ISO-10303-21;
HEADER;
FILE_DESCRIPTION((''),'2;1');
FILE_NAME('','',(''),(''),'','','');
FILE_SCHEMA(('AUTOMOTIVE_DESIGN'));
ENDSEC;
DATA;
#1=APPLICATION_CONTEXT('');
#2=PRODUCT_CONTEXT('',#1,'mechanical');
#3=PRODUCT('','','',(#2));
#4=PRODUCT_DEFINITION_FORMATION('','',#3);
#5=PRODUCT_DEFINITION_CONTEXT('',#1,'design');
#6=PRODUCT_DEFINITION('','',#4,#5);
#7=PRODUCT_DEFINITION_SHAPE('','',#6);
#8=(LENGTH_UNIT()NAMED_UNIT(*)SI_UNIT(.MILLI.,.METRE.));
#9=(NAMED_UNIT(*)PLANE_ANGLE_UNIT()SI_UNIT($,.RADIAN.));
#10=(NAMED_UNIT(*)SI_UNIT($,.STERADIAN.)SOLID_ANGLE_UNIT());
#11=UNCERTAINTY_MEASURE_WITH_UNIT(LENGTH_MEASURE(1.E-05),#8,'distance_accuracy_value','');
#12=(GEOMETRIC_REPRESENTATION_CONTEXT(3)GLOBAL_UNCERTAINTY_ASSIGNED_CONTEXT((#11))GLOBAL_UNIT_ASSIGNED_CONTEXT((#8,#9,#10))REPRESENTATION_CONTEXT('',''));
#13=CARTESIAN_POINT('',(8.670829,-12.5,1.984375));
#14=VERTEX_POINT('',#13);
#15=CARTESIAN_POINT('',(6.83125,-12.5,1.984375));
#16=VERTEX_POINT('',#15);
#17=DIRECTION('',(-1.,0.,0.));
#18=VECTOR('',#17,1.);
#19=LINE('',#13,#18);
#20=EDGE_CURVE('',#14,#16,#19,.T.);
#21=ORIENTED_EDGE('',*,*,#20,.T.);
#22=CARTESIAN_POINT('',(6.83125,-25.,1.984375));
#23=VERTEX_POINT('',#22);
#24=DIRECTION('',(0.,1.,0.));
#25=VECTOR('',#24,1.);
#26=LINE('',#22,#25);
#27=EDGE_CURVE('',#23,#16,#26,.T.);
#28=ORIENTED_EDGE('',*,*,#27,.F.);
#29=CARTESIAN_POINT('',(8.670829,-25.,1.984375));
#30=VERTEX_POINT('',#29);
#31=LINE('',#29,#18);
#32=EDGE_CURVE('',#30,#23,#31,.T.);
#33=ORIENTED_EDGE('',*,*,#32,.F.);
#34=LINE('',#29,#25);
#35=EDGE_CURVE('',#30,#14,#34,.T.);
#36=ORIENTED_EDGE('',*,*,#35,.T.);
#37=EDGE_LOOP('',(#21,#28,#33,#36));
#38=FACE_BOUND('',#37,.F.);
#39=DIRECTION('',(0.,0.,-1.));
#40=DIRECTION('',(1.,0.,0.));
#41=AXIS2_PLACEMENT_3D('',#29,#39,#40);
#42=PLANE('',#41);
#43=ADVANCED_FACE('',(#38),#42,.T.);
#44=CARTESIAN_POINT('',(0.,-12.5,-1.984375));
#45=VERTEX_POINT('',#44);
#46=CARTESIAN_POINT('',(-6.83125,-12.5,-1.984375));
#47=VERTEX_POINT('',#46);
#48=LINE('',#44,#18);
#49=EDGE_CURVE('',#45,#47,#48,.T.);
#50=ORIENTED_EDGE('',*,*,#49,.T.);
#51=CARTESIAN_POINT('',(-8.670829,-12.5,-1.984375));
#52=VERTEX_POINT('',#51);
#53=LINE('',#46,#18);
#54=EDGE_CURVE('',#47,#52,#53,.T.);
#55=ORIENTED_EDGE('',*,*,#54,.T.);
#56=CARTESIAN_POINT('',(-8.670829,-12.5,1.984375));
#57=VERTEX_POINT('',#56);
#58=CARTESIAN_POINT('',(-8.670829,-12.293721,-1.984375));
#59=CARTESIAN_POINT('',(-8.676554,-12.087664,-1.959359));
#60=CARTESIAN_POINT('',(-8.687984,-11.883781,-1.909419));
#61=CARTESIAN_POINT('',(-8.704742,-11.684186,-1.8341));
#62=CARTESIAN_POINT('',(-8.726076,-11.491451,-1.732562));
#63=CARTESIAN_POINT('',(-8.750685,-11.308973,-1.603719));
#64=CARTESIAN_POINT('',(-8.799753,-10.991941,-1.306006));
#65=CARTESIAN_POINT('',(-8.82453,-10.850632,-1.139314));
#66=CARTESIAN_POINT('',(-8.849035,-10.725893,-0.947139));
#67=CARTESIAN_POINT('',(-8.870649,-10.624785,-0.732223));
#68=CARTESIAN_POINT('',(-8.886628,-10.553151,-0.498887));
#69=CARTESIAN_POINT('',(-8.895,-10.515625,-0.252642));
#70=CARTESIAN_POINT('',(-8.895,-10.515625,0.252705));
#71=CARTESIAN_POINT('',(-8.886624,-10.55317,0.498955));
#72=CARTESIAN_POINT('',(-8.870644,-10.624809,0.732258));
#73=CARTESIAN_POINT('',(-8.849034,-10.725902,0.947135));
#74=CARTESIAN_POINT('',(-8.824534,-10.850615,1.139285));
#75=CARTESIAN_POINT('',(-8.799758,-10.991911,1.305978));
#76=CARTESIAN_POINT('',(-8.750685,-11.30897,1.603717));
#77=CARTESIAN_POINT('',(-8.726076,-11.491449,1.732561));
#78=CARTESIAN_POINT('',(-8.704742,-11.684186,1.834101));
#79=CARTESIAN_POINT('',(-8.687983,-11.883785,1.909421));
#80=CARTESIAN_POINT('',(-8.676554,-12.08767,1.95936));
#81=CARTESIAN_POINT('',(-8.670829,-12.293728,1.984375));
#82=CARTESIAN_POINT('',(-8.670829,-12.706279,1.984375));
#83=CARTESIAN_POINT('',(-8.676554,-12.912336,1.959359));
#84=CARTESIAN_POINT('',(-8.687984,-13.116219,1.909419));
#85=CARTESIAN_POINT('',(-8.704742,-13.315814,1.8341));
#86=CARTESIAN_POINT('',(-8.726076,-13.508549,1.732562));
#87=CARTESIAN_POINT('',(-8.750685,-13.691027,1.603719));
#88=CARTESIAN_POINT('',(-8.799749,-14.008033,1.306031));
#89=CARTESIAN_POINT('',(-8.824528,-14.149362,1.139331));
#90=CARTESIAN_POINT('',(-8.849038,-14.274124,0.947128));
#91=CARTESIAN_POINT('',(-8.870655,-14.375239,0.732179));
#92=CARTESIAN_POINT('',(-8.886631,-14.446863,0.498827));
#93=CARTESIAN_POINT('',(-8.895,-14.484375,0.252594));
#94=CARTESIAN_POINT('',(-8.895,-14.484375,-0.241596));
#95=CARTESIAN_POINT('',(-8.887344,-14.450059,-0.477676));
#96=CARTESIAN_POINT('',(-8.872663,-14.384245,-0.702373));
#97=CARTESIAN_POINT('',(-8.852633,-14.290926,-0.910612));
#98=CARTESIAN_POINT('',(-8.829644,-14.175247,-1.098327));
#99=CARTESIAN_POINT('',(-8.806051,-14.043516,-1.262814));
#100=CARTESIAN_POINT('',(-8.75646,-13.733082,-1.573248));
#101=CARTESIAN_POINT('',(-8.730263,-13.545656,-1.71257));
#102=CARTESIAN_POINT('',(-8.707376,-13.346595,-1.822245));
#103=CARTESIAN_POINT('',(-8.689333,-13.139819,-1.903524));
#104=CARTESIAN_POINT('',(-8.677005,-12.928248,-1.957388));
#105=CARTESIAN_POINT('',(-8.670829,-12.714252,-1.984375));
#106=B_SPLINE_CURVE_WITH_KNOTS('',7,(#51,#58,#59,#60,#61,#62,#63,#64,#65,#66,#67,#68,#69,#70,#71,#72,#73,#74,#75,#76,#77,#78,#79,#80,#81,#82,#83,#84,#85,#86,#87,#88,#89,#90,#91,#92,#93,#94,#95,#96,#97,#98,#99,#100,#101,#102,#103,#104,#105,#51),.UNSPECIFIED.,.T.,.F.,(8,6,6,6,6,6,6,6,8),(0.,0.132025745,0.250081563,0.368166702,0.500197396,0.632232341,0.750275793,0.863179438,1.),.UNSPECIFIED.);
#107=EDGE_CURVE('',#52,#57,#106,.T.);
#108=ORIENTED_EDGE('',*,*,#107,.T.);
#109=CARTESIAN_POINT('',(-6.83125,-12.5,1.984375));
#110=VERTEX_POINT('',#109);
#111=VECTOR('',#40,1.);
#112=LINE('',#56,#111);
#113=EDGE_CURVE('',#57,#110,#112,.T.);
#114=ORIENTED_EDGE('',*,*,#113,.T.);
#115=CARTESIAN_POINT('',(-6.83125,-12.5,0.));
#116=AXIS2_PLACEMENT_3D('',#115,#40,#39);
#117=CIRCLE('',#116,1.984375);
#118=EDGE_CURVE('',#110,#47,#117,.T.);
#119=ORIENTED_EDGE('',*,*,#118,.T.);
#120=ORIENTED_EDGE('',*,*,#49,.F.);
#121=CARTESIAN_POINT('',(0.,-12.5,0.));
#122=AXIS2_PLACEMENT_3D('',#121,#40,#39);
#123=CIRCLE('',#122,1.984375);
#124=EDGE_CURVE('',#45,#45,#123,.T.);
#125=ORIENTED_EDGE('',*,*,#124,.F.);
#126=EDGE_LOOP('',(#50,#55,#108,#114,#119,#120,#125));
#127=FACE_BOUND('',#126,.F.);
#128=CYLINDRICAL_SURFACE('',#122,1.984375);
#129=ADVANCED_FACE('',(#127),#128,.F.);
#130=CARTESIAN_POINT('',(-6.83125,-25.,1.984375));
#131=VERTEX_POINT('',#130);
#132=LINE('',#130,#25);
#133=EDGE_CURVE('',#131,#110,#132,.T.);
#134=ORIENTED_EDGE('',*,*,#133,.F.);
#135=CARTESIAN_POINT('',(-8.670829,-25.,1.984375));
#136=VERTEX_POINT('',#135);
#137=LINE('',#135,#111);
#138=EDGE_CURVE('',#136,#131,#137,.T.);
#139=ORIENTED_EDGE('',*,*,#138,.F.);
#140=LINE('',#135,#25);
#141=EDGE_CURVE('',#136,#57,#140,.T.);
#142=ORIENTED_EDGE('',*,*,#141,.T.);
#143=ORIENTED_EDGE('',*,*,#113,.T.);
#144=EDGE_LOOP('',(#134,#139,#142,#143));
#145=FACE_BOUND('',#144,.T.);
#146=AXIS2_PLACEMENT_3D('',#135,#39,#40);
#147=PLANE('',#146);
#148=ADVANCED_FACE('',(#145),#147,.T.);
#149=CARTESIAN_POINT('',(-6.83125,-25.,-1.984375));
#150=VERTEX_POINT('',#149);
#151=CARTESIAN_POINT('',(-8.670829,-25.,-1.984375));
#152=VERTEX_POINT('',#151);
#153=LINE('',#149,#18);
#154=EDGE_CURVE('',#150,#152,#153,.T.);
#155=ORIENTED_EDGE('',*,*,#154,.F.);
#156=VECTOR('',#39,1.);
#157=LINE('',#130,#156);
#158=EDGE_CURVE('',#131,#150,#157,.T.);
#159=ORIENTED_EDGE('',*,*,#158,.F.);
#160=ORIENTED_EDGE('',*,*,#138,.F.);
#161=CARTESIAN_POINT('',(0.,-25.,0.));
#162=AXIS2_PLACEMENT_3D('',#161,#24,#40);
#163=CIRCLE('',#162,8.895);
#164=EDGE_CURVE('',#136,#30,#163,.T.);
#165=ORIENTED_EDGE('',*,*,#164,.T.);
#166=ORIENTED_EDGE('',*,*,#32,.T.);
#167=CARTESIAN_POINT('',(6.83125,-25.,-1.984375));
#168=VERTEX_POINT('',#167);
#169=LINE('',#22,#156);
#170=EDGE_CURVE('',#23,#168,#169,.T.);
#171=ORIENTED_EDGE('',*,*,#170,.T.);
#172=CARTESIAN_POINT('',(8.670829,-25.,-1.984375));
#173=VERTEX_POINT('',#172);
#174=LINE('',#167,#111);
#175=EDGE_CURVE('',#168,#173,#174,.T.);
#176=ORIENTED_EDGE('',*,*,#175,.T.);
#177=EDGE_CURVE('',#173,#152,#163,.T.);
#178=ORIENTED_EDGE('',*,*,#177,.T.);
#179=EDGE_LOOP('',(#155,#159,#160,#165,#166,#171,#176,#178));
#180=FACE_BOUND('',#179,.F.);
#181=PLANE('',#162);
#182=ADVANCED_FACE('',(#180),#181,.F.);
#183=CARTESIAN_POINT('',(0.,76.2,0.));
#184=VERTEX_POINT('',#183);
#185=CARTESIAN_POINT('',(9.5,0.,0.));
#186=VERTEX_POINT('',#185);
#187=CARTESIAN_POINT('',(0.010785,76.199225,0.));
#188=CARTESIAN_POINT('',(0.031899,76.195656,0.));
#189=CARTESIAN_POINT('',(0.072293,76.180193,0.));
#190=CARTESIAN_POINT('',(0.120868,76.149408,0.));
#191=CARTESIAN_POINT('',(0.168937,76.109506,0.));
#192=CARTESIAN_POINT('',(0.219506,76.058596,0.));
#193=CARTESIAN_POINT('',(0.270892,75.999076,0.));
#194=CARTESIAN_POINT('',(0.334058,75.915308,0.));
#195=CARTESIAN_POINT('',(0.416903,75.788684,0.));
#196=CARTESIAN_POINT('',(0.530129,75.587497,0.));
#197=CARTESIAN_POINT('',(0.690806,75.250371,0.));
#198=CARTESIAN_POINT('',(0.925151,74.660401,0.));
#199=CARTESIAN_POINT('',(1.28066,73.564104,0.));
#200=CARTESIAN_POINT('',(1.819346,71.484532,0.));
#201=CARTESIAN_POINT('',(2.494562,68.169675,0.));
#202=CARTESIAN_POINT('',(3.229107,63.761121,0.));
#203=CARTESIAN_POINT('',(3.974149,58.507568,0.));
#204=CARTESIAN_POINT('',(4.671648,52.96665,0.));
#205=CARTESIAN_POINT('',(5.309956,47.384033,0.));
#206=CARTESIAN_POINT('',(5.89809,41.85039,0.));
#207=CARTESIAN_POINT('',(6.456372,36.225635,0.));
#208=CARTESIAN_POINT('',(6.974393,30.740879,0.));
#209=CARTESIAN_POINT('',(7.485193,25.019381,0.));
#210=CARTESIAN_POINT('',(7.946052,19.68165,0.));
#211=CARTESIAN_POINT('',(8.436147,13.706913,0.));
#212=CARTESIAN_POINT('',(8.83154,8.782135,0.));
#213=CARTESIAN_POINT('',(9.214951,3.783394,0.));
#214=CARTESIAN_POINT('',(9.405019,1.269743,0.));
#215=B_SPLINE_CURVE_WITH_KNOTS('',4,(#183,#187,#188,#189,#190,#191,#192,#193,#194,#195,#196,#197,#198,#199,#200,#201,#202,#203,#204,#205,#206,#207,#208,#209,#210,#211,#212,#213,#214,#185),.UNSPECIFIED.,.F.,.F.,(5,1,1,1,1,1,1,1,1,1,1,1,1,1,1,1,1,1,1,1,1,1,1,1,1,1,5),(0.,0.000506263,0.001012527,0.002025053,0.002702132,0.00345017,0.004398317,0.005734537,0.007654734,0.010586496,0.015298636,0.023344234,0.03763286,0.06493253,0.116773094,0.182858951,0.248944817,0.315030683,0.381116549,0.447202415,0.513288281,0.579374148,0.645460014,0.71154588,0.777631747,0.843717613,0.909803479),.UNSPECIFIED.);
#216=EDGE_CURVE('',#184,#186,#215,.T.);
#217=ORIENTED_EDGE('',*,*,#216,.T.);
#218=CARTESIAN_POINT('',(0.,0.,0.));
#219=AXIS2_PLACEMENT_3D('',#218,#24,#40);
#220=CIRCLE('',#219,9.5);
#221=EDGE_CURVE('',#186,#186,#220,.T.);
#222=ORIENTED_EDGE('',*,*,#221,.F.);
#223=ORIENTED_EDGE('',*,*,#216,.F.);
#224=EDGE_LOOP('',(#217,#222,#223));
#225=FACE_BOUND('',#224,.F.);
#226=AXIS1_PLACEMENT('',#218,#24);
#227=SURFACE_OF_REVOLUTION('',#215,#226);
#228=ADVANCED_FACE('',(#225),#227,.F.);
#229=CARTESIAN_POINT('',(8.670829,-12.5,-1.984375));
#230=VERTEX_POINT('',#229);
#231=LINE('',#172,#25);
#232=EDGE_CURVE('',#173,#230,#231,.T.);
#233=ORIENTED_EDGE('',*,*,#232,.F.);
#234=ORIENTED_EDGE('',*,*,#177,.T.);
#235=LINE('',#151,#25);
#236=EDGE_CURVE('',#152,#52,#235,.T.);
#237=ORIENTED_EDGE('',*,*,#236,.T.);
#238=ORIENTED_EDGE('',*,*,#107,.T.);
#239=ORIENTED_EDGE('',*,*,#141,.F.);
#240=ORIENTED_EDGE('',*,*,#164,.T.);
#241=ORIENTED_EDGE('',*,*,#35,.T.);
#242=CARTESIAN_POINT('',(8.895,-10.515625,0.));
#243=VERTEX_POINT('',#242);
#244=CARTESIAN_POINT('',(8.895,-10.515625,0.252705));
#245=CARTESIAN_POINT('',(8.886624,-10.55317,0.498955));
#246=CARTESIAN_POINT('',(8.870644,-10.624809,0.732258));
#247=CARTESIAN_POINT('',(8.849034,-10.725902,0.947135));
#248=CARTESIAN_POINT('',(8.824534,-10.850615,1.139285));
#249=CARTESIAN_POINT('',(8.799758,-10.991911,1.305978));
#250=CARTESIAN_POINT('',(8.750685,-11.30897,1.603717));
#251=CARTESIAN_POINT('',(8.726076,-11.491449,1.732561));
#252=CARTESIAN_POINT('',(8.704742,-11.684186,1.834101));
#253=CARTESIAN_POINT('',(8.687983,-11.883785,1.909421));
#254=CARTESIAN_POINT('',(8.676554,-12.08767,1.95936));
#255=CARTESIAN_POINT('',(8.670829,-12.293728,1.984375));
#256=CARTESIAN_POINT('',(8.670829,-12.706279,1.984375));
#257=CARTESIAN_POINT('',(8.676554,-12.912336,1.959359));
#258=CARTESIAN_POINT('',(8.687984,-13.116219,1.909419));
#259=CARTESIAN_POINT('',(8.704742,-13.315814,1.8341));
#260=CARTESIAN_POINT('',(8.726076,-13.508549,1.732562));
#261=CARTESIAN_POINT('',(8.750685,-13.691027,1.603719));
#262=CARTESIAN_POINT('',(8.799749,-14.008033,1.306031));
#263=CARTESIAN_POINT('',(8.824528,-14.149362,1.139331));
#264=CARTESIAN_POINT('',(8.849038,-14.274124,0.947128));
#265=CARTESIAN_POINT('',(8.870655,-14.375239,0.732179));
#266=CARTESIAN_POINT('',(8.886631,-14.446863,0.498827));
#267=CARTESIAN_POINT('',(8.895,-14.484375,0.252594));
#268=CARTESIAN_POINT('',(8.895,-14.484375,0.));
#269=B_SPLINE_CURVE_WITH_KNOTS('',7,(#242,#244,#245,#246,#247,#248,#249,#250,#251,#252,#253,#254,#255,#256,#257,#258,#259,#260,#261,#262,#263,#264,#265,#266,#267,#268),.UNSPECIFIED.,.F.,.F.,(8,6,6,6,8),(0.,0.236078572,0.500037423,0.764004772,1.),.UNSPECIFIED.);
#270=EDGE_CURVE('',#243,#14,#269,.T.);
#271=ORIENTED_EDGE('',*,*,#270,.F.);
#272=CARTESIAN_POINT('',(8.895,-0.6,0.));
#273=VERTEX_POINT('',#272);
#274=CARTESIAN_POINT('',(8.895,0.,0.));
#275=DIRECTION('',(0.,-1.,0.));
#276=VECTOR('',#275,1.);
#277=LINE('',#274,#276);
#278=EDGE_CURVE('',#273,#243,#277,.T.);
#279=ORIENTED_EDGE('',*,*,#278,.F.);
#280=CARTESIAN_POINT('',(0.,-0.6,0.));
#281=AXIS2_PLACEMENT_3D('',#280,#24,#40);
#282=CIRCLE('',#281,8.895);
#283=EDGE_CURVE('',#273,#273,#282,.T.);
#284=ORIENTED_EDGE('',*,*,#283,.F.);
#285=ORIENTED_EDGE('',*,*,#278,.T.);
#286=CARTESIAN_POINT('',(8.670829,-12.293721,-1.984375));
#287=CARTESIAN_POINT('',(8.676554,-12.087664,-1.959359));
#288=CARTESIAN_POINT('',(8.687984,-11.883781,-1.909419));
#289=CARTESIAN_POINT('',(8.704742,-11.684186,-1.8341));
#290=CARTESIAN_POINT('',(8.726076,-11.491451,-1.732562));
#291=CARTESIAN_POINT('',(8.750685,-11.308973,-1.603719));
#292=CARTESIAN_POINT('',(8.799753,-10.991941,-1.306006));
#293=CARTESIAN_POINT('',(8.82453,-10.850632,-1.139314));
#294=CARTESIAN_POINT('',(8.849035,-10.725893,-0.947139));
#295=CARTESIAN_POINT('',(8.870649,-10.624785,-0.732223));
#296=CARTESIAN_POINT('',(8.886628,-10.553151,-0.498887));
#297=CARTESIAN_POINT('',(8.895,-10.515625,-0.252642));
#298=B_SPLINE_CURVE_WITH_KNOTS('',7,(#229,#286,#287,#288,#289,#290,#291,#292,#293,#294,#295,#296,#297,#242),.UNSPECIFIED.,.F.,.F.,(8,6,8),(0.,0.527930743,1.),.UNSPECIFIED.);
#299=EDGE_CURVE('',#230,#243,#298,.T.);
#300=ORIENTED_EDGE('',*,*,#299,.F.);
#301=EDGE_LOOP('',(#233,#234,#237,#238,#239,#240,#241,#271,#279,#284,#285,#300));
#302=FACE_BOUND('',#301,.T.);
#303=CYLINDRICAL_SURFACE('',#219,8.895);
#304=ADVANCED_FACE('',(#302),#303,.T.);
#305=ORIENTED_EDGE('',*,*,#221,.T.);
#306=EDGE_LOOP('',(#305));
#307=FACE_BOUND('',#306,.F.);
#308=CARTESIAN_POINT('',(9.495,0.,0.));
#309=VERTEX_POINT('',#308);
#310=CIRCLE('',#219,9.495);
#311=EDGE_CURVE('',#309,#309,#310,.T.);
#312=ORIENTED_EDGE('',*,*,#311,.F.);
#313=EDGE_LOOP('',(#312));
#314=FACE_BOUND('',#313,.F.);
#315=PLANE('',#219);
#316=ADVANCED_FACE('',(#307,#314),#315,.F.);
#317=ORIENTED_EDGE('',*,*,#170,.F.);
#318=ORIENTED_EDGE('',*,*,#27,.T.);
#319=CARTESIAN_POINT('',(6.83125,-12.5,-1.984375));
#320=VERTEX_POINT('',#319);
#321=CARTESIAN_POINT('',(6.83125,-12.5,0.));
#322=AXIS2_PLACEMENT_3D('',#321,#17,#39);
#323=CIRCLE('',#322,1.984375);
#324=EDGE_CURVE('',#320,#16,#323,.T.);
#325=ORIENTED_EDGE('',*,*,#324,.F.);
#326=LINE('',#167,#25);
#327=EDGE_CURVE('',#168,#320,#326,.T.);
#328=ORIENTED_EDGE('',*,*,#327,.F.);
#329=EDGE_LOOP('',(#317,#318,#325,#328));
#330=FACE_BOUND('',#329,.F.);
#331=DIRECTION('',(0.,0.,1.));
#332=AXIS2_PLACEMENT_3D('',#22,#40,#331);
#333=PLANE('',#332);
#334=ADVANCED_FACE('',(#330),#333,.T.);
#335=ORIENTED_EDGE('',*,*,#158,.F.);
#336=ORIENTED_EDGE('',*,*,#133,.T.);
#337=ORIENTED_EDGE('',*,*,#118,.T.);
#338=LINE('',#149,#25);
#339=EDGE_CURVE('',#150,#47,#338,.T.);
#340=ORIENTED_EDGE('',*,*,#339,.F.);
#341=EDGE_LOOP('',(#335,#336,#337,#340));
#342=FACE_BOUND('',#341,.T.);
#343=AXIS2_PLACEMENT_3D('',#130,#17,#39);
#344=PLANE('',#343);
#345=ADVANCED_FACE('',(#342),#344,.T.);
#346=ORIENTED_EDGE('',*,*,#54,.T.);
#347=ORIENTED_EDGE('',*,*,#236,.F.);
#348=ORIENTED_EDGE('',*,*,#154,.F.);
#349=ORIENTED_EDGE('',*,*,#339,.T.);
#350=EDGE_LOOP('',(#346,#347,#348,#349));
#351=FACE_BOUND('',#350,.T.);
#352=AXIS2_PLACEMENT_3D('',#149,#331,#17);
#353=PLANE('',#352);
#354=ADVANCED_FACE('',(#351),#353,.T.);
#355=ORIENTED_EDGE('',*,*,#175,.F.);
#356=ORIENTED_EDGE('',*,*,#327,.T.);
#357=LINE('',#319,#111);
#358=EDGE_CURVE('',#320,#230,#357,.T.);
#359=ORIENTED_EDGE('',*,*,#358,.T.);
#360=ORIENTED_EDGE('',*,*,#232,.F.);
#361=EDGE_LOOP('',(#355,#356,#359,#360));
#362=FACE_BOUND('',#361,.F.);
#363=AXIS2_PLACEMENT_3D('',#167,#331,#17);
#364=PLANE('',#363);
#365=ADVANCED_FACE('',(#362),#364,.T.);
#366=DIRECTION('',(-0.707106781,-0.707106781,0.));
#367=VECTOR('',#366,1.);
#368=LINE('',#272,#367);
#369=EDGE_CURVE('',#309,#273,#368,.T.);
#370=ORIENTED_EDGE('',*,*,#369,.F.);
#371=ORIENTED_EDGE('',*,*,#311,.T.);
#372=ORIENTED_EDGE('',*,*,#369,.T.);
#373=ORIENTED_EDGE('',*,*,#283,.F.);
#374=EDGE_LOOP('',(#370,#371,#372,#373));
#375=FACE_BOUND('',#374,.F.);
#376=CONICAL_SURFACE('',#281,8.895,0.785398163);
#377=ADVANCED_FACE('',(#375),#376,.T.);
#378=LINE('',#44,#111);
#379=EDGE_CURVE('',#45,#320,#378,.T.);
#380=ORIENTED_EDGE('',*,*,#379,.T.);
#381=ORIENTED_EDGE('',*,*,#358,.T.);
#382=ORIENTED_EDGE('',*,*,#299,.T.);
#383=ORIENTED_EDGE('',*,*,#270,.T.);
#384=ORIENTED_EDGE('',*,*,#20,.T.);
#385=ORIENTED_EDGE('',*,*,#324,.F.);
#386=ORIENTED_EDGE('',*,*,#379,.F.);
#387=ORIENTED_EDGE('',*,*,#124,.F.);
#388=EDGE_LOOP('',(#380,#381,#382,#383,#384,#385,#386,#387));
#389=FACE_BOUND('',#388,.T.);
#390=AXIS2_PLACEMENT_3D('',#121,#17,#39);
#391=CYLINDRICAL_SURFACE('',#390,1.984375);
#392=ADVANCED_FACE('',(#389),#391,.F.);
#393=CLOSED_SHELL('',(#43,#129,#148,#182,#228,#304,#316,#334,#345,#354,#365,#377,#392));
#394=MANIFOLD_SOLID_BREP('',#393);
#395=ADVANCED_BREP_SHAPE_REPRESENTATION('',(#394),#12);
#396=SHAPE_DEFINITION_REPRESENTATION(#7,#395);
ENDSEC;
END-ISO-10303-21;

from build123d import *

# Parameters (mm, degrees)
SKETCH1_R               = 8.895
BOSS_EXTRUDE1_DEPTH     = 25
CUT_EXTRUDE1_DEPTH      = 12.5
SKETCH3_R               = 1.984375
CUT_EXTRUDE2_DEPTH      = 9.895
CUT_EXTRUDE2_DEPTH_BACK = 9.895
CHAMFER1_SIZE           = 0.6


with BuildPart() as part:
    # Sketch1 → Boss-Extrude1 (new body)
    with BuildSketch(Plane(origin=(0, 0, 0), x_dir=(1, 0, 0), z_dir=(0, 1, 0))):
        Circle(SKETCH1_R)
    extrude(amount=-BOSS_EXTRUDE1_DEPTH)

    # Sketch2 → Cut-Extrude1 (cut)
    with BuildSketch(Plane.XZ.offset(25)):
        with BuildLine():
            Line((-6.83125, 1.984375), (-6.83125, -1.984375))
            Line((-6.83125, -1.984375), (-8.670829306, -1.984375))
            ThreePointArc((-8.670829306, -1.984375), (-8.895, 0), (-8.670829306, 1.984375))
            Line((-8.670829306, 1.984375), (-6.83125, 1.984375))
        make_face()
    cut_extrude1 = extrude(amount=-CUT_EXTRUDE1_DEPTH, mode=Mode.SUBTRACT)

    # Mirror1: Cut-Extrude1 across plane
    add(cut_extrude1.mirror(Plane(origin=(0, 0, 0), x_dir=(0, 0, 1), z_dir=(1, 0, 0))), mode=Mode.SUBTRACT)

    # Sketch3 → Cut-Extrude2 (cut, two sides)
    with BuildSketch(Plane(origin=(0, 0, 0), x_dir=(0, 0, -1), z_dir=(1, 0, 0))) as cut_extrude2_sk:
        with Locations((0, -12.5)):
            Circle(SKETCH3_R)
    extrude(amount=CUT_EXTRUDE2_DEPTH, mode=Mode.SUBTRACT)
    extrude(cut_extrude2_sk.sketch, amount=-CUT_EXTRUDE2_DEPTH_BACK, mode=Mode.SUBTRACT)

    # Sketch4 → Revolve1 (revolve)
    with BuildSketch(Plane.XY):
        with BuildLine():
            Line((0, 0), (0, 76.2))
            add(Edge.make_bspline(
                [(0, 76.2), (0.010785041, 76.199224813), (0.031898851, 76.195655683), (0.072292948, 76.180192568), (0.120867926, 76.149408415), (0.16893656, 76.109505667), (0.219506214, 76.05859599), (0.270891595, 75.999075831), (0.33405813, 75.915307947), (0.416902674, 75.788683792), (0.530129314, 75.587496608), (0.690806004, 75.250371079), (0.925151077, 74.660400515), (1.28066013, 73.56410381), (1.819345698, 71.484532143), (2.494562294, 68.169675275), (3.229107388, 63.761120823), (3.974148921, 58.507567912), (4.671648215, 52.966650055), (5.309955775, 47.384032694), (5.89808978, 41.850390189), (6.456372381, 36.225635174), (6.974392848, 30.74087905), (7.485193122, 25.019380562), (7.946052453, 19.68165029), (8.436147301, 13.706913443), (8.831540425, 8.78213491), (9.214950637, 3.783393938), (9.405019243, 1.269742765), (9.500000001, 0)],
                knots=[0, 0, 0, 0, 0, 0.000506263, 0.001012527, 0.002025053, 0.002702132, 0.00345017, 0.004398317, 0.005734537, 0.007654734, 0.010586496, 0.015298636, 0.023344234, 0.03763286, 0.06493253, 0.116773094, 0.182858951, 0.248944817, 0.315030683, 0.381116549, 0.447202415, 0.513288281, 0.579374148, 0.645460014, 0.71154588, 0.777631747, 0.843717613, 0.909803479, 0.909803479, 0.909803479, 0.909803479, 0.909803479], degree=4))
            Line((9.500000001, 0), (0, 0))
        make_face()
    revolve(axis=Axis((0, 0, 0), (0, 1, 0)))

    # Chamfer1
    chamfer1_edges = [part.edges().sort_by_distance(p)[0] for p in [
        (-8.895, 0, 0),
    ]]
    chamfer(chamfer1_edges, length=CHAMFER1_SIZE)


solid = part.part
